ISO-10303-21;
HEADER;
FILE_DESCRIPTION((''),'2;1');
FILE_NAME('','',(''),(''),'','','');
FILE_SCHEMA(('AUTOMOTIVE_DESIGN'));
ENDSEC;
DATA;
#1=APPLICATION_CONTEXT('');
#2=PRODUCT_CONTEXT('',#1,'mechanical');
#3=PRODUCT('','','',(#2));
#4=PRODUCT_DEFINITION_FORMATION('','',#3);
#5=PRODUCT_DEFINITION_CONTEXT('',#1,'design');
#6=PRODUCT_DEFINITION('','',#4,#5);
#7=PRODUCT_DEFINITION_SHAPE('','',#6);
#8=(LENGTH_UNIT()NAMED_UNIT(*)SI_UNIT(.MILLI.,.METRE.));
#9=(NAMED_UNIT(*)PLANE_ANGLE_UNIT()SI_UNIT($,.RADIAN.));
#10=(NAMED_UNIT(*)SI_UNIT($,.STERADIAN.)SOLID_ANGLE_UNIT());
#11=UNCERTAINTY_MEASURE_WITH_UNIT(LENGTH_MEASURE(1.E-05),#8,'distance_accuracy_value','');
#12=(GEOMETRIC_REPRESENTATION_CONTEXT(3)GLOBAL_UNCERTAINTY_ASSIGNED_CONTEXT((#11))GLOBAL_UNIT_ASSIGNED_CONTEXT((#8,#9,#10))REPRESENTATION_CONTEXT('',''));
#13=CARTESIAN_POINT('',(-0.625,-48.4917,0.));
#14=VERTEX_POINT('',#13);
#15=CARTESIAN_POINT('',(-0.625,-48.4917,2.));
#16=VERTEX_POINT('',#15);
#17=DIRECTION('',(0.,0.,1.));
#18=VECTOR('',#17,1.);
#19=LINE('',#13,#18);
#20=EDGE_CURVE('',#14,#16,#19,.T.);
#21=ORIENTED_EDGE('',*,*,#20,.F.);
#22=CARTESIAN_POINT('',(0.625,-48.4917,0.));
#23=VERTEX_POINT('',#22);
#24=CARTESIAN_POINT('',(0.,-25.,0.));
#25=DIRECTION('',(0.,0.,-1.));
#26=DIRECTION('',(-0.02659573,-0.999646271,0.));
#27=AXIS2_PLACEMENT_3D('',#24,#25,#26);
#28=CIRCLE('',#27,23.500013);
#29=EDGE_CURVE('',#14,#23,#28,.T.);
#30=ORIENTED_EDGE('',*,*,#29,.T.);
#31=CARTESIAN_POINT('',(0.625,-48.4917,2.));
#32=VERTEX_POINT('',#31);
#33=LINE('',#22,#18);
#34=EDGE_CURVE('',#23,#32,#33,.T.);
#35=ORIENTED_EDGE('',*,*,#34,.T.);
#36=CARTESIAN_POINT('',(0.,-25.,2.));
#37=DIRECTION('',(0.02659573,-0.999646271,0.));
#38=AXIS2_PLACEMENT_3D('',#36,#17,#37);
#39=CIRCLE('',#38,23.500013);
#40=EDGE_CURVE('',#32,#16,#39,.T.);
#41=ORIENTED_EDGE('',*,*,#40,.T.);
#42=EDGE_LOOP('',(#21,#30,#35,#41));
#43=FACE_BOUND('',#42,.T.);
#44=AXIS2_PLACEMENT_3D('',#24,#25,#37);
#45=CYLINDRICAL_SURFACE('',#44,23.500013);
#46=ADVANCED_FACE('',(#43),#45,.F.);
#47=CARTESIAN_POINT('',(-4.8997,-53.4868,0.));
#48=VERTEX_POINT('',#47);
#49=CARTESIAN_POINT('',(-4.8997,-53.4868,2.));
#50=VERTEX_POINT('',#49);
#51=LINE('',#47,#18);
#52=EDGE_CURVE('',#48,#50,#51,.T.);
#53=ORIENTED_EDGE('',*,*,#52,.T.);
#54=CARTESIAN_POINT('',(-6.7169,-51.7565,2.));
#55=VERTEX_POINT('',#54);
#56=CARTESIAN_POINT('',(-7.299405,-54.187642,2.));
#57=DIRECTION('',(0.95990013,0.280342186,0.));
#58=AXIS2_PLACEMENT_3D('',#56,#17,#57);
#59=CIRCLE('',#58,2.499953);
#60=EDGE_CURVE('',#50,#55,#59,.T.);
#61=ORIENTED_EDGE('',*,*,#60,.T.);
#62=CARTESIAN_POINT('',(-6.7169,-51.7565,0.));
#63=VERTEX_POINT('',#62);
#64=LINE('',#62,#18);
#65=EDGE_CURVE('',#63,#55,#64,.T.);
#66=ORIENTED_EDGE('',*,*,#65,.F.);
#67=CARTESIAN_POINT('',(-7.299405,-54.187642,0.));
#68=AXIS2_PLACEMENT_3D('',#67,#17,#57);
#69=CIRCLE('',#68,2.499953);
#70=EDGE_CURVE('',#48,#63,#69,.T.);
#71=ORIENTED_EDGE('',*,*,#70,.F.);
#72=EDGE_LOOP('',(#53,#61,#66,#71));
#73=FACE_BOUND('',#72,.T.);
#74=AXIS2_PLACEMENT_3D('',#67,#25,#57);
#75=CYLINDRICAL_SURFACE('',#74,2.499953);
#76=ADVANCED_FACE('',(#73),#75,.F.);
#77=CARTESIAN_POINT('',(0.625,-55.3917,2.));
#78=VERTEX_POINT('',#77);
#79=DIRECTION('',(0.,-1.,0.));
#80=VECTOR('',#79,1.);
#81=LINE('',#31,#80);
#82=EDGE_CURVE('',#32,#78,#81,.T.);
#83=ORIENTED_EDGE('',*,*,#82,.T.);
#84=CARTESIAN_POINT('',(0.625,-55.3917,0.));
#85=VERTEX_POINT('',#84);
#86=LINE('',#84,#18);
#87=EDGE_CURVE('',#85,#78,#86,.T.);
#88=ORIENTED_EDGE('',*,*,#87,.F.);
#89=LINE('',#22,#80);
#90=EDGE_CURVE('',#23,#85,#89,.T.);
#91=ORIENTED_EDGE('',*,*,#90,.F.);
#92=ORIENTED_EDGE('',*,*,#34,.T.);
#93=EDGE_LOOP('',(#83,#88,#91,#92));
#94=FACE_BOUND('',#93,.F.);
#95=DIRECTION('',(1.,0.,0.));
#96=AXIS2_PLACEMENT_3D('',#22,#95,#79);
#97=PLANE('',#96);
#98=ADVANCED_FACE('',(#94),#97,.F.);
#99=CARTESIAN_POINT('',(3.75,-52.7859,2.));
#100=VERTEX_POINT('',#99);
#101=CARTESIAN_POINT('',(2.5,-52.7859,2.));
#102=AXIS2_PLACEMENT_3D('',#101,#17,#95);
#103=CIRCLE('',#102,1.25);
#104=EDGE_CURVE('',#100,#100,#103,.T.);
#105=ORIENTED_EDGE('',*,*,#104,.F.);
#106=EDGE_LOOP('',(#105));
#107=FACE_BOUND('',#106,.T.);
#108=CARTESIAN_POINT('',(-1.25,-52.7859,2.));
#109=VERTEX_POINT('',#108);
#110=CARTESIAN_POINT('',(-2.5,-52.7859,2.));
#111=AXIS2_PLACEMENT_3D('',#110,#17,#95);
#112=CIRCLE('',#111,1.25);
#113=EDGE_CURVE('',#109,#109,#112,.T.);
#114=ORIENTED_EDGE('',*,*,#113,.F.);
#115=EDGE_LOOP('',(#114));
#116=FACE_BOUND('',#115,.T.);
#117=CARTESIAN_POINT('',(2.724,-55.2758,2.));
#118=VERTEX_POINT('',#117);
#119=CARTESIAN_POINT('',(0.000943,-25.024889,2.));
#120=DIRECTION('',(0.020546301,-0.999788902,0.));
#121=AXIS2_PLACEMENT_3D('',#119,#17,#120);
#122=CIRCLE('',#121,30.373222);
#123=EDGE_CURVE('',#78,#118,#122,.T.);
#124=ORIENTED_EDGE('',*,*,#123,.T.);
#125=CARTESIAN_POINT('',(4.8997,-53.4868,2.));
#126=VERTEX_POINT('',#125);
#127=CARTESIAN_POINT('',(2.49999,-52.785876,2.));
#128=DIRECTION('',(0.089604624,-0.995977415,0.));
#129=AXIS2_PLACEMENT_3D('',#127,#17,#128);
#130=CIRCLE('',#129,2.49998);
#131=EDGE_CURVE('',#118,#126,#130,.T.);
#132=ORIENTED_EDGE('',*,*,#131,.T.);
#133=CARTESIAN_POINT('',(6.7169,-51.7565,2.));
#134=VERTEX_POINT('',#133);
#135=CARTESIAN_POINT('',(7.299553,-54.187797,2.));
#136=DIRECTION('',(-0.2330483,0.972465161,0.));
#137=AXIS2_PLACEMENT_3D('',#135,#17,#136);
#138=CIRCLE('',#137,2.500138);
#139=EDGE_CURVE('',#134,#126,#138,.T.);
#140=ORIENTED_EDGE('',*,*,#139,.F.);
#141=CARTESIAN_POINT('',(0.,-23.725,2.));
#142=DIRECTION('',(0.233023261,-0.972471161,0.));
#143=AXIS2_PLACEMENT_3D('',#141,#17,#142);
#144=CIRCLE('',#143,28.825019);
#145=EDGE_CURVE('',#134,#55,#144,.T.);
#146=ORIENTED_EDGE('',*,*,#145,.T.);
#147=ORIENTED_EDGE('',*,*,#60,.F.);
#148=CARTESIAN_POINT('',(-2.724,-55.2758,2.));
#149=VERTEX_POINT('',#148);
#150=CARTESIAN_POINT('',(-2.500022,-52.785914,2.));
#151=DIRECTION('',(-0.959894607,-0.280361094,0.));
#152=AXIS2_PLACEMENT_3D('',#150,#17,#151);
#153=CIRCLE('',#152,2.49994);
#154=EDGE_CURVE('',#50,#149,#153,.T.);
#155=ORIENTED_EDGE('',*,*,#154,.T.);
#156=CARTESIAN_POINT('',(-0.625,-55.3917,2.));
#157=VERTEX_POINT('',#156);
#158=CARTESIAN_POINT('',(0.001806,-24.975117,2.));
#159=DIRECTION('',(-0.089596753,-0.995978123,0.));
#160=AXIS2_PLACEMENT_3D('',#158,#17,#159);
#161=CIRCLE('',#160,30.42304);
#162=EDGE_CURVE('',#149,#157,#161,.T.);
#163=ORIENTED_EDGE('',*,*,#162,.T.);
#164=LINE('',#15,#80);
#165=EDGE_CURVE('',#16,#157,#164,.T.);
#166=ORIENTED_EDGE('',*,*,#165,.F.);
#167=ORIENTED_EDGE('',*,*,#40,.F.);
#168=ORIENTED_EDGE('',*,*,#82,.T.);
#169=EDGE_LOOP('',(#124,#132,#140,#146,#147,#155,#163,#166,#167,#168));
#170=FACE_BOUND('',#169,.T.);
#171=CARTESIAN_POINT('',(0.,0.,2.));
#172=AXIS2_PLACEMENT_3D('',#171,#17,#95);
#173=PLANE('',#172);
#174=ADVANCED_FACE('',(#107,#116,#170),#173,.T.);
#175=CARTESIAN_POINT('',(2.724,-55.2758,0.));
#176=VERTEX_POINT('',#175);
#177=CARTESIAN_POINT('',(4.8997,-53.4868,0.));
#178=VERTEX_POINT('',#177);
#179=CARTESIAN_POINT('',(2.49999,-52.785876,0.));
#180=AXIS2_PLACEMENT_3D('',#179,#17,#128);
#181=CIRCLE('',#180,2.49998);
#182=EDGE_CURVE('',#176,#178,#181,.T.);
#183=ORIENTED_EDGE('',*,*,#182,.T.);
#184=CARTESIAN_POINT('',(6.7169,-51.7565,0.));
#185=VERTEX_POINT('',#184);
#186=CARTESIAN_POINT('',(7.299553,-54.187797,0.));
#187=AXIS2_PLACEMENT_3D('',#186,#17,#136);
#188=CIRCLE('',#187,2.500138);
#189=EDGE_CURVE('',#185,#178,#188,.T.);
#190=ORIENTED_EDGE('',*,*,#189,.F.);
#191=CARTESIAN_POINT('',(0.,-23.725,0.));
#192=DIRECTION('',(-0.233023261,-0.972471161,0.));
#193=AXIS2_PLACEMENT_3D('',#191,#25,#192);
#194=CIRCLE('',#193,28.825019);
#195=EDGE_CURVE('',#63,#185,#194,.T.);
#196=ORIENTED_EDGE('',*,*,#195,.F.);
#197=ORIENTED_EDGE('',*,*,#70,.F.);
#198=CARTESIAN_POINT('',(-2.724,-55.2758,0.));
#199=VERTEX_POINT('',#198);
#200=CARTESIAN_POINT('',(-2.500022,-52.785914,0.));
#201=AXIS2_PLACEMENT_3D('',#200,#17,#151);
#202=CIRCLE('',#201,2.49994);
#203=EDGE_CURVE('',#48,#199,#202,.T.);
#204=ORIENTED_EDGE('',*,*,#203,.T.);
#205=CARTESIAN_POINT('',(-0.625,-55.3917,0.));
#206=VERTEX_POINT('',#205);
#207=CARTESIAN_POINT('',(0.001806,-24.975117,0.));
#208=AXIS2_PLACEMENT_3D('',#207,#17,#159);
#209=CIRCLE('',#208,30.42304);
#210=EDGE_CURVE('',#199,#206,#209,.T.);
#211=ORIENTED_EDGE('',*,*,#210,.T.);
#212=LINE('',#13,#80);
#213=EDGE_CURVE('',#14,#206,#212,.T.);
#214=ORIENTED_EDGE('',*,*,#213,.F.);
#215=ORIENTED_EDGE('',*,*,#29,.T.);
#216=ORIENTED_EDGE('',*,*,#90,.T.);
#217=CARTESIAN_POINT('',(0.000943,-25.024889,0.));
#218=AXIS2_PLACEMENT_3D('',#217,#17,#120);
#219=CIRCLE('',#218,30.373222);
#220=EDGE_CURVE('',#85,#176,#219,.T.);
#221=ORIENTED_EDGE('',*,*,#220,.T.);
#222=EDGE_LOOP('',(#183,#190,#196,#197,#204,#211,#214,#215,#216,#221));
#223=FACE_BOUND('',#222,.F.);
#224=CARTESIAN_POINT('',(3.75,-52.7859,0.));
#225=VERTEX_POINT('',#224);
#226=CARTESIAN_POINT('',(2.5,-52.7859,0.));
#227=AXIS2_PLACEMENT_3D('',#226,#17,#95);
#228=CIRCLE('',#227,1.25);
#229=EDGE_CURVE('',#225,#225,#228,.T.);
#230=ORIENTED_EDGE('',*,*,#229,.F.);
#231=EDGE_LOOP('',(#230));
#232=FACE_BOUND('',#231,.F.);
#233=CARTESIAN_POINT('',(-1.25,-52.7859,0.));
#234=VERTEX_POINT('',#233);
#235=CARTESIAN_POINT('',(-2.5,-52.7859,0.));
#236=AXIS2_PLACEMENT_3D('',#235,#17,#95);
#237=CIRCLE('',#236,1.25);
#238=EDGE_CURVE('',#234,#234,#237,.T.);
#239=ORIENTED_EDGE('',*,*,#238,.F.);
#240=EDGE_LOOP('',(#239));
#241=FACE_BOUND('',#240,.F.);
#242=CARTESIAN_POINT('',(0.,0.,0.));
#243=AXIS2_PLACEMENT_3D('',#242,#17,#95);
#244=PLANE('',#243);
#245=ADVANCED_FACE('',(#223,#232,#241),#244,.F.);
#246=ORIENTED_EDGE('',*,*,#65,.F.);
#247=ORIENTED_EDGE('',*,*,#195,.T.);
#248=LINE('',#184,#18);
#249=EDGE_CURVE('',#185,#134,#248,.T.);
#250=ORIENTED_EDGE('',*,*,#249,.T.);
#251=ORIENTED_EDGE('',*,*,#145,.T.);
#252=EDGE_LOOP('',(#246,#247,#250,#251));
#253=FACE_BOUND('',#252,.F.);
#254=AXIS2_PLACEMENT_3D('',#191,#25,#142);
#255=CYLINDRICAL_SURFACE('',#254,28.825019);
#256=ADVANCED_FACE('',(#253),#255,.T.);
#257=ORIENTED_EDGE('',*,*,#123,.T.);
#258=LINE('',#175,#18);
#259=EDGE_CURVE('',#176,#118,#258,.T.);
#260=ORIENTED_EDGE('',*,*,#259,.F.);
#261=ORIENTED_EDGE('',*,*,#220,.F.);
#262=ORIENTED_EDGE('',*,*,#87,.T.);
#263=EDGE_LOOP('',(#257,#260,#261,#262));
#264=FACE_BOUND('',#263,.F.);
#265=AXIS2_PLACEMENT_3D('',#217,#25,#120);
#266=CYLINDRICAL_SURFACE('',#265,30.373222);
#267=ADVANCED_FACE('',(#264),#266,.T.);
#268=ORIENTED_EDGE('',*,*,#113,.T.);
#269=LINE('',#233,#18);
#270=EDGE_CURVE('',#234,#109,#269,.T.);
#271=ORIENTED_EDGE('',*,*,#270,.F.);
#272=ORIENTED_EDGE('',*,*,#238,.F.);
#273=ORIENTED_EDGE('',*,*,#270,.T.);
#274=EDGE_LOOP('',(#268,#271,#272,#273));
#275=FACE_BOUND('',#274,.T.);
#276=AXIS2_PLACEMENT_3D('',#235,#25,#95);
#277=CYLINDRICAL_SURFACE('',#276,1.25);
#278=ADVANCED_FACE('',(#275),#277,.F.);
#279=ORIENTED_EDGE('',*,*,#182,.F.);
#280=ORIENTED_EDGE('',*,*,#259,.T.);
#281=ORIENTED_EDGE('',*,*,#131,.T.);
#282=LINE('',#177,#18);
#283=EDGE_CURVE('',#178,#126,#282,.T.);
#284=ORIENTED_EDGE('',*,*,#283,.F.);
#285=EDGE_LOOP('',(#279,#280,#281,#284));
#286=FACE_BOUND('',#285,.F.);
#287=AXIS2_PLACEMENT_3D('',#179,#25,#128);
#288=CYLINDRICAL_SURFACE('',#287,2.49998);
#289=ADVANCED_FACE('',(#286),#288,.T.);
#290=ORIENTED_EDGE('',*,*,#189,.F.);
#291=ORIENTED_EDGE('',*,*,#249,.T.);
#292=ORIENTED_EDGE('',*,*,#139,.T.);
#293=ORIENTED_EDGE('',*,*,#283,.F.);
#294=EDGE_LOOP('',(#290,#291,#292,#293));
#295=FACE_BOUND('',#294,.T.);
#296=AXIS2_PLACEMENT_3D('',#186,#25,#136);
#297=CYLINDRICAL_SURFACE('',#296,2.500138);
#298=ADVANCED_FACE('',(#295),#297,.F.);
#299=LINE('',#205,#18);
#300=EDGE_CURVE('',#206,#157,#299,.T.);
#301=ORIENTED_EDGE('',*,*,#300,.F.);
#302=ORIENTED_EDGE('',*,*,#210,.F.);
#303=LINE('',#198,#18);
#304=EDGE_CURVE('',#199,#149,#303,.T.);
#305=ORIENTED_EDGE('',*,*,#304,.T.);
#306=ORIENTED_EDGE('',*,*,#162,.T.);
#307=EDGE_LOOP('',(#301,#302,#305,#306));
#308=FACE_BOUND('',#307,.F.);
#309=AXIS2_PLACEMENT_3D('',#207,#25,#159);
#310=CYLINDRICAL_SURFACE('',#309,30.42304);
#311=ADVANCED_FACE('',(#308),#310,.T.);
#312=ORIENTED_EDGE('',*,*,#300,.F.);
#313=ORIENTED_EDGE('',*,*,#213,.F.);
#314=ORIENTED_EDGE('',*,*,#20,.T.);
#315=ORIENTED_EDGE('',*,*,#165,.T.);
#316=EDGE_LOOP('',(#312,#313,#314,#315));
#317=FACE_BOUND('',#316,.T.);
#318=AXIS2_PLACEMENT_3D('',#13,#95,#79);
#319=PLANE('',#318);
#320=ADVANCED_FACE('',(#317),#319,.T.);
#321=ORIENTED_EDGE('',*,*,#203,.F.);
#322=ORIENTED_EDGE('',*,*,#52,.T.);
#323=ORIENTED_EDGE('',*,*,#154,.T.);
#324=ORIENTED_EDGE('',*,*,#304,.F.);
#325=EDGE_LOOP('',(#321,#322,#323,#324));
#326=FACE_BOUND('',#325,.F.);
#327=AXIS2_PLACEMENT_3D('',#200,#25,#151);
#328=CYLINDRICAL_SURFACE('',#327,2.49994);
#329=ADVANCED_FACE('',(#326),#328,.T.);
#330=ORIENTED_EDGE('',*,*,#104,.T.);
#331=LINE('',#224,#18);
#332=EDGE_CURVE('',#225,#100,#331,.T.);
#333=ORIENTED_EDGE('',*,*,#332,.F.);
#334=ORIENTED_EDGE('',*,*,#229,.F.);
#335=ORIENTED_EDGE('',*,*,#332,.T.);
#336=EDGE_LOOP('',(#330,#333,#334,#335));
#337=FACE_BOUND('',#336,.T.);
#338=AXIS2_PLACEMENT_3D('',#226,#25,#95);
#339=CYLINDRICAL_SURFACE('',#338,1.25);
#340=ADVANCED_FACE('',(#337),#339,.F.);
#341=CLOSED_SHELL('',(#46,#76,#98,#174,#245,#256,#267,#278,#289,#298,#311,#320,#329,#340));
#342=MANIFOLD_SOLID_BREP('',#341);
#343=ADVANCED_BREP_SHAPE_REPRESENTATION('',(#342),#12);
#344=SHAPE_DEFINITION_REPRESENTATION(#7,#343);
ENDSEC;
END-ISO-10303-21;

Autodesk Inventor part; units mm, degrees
ref_plane "YZ Plane" through (0, 0, 0) normal (1, 0, 0) x (0, 1, 0)
ref_plane "XZ Plane" through (0, 0, 0) normal (0, 1, 0) x (-1, 0, 0)
ref_plane "XY Plane" through (0, 0, 0) normal (0, 0, 1) x (1, 0, 0)
sketch "Skizze1" plane through (0, 0, 0) normal (0, 0, 1) x (1, 0, 0)
  line L0 (-6, 0) -> (6, 0) construction
  arc A0 (0.625, -48.4917) -> (-0.625, -48.4917) centre (0, -25) ccw
  line L1 (0, 23.3134) -> (0, -61.6825) projected
  line L2 (-34.59, 0) -> (46.12, 0) projected
  line L3 (-0.625, -48.4917) -> (-0.625, -55.3917)
  line L4 (-0.625, -6.5402) -> (-0.625, -13.29) construction
  line L5 (-2.7947, 5.1) -> (3.6722, 5.1) construction
  arc A1 (6.7169, -51.7565) -> (-6.7169, -51.7565) centre (0, -23.725) ccw
  arc A2 (-2.724, -55.2758) -> (-0.625, -55.3917) centre (0, -25) ccw
  arc A3 (-4.8997, -53.4868) -> (-2.724, -55.2758) centre (-2.5, -52.7859) ccw
  arc A4 (-4.8997, -53.4868) -> (-6.7169, -51.7565) centre (-7.2995, -54.1877) ccw
  line L6 (0.625, -48.4917) -> (0.625, -55.3917)
  line L7 (0.625, -6.5402) -> (0.625, -13.29) construction
  arc A5 (0.625, -55.3917) -> (2.724, -55.2758) centre (0, -25) ccw
  arc A6 (2.724, -55.2758) -> (4.8997, -53.4868) centre (2.5, -52.7859) ccw
  arc A7 (6.7169, -51.7565) -> (4.8997, -53.4868) centre (7.2995, -54.1877) ccw
  circle A8 centre (-2.5, -52.7859) radius 1.25
  circle A9 centre (2.5, -52.7859) radius 1.25
  dimension "d0" = 47
  dimension "d1" = 6.9
  dimension "d6" = 0.625
  dimension "d7" = 5.1
  dimension "d8" = 1.275
  dimension "d9" = 2.5
  dimension "d10" = 2.5
  dimension "d11" = 1.875
  dimension "d12" = 2.5
  dimension "d13" = 2.5
  dimension "d14" = 25
extrude "Körper" add sketch "Skizze1" along normal blind 2
equation "\"d0\" = ND"
equation "\"d1\" = SRB2"
equation "\"d6\" = 0.25 * SD5"
equation "\"d7\" = SRB1"
equation "\"d8\" = 0.25 * SRB1"
equation "\"d9\" = SD5"
equation "\"d10\" = SD5"
equation "\"d11\" = 0.75 * SD5"
equation "\"d12\" = SD5"
equation "\"d13\" = SD5"
equation "\"d14\" = 0.5 * WD"
equation "\"d2\" = SD"
equation "\"SD\" = 2"
equation "\"SRB1\" = 5.1"
equation "\"ND\" = 47"
equation "\"SRB2\" = 6.9"
equation "\"SD5\" = 2.5"
equation "\"SD3\" = 45.8"
equation "\"WDMAX\" = 52"
equation "\"WD\" = 50"
properties part number "R-Ring50"
